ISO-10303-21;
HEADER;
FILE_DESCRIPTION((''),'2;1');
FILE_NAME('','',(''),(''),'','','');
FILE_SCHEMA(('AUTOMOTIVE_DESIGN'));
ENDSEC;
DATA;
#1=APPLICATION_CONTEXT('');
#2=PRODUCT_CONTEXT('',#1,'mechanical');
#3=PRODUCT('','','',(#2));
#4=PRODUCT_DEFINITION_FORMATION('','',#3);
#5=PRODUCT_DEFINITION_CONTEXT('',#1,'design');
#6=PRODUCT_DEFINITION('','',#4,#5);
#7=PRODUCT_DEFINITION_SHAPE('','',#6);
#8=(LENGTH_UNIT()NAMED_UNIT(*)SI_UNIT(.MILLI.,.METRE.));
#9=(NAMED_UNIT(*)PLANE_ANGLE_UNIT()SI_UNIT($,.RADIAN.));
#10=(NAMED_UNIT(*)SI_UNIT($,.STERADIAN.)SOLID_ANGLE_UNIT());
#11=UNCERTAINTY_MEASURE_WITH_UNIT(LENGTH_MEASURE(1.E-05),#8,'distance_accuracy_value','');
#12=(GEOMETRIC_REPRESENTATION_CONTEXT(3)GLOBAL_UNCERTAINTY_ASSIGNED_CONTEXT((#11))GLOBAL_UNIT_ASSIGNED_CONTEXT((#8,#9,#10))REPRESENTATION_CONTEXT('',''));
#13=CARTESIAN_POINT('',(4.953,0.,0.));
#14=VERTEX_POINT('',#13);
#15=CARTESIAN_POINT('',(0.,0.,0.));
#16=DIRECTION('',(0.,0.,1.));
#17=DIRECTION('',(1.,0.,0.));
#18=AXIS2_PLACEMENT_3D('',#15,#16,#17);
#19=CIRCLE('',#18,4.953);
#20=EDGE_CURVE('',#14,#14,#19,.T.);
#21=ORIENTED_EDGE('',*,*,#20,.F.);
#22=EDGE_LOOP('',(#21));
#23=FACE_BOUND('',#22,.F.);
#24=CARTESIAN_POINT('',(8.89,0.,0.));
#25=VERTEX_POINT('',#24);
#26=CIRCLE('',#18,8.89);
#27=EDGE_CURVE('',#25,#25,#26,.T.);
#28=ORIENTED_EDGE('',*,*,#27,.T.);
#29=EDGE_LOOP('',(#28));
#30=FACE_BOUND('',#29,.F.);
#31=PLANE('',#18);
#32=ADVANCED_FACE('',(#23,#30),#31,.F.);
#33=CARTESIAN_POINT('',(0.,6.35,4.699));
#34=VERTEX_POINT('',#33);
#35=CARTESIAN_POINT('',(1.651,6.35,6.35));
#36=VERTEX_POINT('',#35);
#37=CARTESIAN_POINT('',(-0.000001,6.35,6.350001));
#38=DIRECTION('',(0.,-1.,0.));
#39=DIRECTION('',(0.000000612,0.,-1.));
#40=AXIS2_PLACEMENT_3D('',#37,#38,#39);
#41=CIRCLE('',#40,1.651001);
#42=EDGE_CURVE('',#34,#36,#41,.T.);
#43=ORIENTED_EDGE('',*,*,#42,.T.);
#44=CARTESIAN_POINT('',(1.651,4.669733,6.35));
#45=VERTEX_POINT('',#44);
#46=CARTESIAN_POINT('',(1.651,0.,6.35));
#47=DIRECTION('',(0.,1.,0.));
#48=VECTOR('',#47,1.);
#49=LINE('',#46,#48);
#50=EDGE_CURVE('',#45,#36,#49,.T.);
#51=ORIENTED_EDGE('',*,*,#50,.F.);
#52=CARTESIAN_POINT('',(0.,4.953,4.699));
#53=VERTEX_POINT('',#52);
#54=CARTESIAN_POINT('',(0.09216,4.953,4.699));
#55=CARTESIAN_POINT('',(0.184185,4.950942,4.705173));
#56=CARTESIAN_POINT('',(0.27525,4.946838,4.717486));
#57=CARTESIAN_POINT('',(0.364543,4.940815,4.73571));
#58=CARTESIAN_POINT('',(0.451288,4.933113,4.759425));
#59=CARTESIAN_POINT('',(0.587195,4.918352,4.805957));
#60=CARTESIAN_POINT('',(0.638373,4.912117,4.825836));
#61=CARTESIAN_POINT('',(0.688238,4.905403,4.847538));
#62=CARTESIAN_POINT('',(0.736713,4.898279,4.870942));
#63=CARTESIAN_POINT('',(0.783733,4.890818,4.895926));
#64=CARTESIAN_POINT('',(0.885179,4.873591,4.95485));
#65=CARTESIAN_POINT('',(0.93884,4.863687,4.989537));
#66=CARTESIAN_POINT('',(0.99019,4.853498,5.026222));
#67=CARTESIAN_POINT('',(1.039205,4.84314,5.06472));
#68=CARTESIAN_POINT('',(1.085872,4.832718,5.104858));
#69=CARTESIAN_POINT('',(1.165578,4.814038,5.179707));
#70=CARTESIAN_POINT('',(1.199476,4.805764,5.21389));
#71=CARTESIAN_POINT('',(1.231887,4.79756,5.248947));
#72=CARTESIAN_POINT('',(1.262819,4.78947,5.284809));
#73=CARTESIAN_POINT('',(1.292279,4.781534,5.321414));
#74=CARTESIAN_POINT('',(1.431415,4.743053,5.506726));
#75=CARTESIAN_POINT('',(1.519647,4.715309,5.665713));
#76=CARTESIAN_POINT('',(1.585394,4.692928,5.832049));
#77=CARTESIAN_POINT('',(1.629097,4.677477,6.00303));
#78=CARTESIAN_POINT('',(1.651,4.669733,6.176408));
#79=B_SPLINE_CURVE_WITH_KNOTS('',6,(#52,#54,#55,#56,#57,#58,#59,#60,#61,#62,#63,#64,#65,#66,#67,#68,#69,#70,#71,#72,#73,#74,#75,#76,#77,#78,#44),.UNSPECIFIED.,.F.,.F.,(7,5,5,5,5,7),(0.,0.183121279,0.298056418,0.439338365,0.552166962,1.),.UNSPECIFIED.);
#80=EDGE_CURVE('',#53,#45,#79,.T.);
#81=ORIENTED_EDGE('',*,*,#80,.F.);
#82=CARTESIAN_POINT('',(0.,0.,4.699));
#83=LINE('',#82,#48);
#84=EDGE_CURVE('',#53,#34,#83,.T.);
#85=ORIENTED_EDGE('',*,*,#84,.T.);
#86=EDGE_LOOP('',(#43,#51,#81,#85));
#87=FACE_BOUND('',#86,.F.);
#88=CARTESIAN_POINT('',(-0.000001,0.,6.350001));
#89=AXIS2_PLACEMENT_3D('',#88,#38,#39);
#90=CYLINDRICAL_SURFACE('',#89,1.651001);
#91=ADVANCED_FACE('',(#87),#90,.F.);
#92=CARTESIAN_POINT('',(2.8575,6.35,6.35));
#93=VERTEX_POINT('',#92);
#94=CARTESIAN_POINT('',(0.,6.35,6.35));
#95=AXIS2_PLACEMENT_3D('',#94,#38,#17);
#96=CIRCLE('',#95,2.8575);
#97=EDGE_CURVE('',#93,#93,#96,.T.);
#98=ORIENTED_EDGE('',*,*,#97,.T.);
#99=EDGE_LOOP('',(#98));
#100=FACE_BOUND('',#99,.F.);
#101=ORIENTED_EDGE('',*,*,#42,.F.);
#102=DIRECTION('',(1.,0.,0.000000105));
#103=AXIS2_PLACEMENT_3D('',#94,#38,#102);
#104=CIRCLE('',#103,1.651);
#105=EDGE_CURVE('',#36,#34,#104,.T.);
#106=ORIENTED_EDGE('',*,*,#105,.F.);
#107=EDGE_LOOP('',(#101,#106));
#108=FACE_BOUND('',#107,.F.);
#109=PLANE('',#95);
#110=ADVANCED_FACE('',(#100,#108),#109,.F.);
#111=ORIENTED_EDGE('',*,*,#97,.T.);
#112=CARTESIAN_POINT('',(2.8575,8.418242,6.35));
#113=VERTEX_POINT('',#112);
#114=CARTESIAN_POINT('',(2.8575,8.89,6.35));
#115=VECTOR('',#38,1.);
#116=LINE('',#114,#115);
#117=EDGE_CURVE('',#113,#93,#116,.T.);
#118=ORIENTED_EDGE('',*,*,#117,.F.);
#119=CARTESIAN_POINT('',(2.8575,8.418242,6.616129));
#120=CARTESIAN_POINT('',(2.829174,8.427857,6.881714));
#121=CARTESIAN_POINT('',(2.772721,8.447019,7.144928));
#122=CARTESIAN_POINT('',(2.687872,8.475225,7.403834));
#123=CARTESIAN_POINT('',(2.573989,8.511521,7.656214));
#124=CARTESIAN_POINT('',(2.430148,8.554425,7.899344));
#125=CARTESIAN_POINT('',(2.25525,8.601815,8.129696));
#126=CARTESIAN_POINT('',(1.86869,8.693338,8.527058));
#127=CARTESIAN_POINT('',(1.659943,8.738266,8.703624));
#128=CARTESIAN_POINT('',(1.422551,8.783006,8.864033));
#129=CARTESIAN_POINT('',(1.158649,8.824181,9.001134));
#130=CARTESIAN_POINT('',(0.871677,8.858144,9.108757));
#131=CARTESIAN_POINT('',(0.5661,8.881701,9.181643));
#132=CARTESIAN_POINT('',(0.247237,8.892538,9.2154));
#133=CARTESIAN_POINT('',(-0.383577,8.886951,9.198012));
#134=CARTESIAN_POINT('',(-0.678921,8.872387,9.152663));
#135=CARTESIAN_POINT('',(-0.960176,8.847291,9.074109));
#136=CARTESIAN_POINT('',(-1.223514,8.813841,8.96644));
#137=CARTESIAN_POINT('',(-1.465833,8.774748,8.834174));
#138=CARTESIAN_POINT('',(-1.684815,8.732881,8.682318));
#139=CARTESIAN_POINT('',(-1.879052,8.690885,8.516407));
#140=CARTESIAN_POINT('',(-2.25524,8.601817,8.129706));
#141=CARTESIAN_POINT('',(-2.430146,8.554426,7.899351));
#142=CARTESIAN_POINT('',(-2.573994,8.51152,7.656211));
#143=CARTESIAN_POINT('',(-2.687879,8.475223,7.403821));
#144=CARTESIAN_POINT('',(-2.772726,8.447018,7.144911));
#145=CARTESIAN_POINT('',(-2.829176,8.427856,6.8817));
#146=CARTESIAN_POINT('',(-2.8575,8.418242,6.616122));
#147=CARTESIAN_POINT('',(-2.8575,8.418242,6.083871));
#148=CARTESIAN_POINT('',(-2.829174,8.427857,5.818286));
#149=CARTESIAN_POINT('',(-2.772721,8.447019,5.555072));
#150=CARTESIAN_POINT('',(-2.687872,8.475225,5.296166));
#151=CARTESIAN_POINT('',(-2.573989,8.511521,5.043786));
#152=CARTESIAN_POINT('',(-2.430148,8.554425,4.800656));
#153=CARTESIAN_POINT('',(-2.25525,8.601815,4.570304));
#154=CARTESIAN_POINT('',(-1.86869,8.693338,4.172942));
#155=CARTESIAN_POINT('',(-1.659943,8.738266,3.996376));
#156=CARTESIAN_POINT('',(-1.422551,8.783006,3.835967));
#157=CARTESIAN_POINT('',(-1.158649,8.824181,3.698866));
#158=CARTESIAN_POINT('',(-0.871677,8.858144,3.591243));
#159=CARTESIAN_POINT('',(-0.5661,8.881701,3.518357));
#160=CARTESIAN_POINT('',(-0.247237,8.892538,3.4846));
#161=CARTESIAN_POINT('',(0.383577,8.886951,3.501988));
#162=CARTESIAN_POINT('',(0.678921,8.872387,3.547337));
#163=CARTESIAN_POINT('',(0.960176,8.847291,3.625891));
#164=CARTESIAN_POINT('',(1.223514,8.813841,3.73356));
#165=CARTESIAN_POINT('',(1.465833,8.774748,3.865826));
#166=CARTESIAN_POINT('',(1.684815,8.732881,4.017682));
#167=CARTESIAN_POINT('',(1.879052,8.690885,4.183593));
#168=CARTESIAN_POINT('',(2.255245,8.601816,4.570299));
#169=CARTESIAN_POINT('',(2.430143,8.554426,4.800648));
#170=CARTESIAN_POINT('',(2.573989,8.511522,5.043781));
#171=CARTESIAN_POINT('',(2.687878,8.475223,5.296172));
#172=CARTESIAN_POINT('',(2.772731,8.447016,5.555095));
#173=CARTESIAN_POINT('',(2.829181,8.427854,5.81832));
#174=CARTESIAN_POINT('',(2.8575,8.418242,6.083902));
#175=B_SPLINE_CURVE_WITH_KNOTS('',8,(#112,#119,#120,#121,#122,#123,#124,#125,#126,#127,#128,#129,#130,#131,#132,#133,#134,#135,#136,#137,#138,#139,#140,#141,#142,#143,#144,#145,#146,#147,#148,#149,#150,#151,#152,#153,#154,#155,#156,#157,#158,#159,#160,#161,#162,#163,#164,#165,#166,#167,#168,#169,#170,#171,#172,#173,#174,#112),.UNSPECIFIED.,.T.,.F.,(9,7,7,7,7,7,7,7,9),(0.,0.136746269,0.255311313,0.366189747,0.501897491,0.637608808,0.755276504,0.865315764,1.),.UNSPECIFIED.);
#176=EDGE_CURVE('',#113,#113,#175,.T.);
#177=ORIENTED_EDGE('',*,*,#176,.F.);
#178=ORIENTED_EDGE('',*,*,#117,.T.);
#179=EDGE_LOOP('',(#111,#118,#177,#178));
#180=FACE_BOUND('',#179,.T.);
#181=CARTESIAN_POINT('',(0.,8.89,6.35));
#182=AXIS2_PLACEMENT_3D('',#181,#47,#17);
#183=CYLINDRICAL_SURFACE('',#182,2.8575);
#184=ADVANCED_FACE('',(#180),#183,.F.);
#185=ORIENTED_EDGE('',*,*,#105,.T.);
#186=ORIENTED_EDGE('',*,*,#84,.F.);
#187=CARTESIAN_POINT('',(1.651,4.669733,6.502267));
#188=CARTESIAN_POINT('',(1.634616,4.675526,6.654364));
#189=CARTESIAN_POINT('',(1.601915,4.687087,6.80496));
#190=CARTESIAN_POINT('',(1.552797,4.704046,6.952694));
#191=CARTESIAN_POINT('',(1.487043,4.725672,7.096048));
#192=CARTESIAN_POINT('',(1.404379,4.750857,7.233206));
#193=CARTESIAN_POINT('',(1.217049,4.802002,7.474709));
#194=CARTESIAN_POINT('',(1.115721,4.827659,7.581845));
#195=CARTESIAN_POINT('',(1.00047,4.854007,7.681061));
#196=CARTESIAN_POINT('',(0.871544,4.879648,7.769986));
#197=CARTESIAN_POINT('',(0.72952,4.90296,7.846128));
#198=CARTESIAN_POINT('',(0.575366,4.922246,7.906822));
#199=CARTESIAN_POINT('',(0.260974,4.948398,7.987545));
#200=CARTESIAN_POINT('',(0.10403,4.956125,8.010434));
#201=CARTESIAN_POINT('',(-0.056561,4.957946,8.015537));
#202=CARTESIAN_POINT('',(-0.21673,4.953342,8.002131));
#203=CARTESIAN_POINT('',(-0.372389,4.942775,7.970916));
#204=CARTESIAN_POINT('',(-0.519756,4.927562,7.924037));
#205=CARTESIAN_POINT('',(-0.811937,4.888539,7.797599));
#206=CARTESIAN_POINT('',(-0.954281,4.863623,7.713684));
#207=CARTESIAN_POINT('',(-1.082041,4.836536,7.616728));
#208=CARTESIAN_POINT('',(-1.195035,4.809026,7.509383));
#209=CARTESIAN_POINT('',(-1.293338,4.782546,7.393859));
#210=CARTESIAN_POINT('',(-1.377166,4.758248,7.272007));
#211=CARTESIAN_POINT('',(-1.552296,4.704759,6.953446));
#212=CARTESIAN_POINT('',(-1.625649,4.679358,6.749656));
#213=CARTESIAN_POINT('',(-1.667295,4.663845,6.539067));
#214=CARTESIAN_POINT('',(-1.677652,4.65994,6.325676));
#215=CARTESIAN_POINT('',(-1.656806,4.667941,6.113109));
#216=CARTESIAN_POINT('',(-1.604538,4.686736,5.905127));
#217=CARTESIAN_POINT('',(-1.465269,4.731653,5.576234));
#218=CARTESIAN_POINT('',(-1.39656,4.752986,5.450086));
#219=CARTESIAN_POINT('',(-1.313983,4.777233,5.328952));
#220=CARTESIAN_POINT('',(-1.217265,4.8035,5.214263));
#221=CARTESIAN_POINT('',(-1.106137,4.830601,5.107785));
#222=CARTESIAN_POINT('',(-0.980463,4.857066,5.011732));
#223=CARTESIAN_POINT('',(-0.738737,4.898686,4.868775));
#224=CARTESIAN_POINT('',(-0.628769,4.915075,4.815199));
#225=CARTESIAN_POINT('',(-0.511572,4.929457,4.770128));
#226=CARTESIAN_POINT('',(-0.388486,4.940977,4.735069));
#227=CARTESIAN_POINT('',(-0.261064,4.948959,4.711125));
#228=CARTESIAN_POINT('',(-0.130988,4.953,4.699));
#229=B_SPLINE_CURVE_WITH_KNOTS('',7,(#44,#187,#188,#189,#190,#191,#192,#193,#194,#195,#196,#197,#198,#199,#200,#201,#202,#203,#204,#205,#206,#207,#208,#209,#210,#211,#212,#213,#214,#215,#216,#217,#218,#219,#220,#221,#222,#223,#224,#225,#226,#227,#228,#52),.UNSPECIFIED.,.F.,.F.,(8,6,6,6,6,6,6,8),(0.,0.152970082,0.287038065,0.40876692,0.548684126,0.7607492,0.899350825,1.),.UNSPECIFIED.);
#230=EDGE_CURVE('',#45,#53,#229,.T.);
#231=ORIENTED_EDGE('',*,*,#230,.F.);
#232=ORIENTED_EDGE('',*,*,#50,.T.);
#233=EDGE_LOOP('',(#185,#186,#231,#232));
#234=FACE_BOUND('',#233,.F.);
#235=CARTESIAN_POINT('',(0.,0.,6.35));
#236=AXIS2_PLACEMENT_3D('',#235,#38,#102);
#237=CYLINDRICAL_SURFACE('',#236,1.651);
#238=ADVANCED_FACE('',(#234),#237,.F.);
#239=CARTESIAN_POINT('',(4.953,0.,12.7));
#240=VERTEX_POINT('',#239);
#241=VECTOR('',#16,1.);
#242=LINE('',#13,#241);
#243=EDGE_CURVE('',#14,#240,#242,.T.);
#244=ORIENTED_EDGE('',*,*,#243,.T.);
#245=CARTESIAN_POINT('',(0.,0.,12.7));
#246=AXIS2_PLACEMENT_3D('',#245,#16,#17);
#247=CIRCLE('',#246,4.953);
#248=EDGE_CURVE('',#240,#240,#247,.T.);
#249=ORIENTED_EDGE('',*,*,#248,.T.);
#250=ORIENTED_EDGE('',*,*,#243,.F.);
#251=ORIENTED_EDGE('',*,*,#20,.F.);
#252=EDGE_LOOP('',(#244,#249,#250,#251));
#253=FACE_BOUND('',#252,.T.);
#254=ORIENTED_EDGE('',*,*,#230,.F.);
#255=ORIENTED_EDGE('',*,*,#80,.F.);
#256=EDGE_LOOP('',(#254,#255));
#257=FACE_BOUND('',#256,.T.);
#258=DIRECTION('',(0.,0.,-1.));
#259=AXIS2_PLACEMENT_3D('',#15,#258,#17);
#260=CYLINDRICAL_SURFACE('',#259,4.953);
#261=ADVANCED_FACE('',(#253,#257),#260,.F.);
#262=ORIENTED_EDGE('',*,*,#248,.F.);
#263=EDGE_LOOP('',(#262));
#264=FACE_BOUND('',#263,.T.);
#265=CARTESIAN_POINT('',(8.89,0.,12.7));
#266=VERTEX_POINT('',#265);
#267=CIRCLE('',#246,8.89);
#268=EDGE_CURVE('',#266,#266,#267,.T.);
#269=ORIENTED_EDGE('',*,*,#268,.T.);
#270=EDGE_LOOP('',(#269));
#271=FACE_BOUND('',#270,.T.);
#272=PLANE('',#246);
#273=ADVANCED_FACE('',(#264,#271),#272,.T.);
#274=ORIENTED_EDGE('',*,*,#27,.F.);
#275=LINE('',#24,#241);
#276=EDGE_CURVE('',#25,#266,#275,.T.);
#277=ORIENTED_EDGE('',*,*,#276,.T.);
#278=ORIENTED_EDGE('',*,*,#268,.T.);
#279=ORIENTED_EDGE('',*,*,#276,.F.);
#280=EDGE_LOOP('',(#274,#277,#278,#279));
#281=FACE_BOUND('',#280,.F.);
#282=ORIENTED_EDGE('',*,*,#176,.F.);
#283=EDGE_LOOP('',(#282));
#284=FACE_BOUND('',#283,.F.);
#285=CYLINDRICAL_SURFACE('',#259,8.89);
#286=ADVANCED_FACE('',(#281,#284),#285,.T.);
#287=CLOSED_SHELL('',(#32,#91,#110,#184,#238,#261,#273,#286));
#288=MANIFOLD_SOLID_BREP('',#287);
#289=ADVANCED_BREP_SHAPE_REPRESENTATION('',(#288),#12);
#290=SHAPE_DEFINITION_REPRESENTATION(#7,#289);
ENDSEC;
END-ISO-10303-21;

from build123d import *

# Parameters (mm, degrees)
F0_R     = 8.89
F0_R_2   = 4.953
F1_DEPTH = 12.7
F3_DEPTH = 25.4
F5_R     = 2.8575
F6_DEPTH = 2.54


with BuildPart() as f1:
    # F0 (on Top) → F1 (new body)
    with BuildSketch(Plane.XY):
        Circle(F0_R)
        Circle(F0_R_2, mode=Mode.SUBTRACT)
    extrude(amount=F1_DEPTH)

    # F2 (on Front) → F3 (cut)
    with BuildSketch(Plane.XZ):
        with BuildLine():
            ThreePointArc((0, 4.699), (1.167433, 5.182567), (1.651, 6.35))
            ThreePointArc((1.651, 6.35), (-1.167433, 7.517433), (0, 4.699))
        make_face()
    extrude(amount=-F3_DEPTH, mode=Mode.SUBTRACT)

    # F5 (on offset) → F6 (cut)
    with BuildSketch(Plane.XZ.offset(-8.89)):
        with Locations((0, 6.35)):
            Circle(F5_R)
    extrude(amount=F6_DEPTH, mode=Mode.SUBTRACT)


solid = f1.part
